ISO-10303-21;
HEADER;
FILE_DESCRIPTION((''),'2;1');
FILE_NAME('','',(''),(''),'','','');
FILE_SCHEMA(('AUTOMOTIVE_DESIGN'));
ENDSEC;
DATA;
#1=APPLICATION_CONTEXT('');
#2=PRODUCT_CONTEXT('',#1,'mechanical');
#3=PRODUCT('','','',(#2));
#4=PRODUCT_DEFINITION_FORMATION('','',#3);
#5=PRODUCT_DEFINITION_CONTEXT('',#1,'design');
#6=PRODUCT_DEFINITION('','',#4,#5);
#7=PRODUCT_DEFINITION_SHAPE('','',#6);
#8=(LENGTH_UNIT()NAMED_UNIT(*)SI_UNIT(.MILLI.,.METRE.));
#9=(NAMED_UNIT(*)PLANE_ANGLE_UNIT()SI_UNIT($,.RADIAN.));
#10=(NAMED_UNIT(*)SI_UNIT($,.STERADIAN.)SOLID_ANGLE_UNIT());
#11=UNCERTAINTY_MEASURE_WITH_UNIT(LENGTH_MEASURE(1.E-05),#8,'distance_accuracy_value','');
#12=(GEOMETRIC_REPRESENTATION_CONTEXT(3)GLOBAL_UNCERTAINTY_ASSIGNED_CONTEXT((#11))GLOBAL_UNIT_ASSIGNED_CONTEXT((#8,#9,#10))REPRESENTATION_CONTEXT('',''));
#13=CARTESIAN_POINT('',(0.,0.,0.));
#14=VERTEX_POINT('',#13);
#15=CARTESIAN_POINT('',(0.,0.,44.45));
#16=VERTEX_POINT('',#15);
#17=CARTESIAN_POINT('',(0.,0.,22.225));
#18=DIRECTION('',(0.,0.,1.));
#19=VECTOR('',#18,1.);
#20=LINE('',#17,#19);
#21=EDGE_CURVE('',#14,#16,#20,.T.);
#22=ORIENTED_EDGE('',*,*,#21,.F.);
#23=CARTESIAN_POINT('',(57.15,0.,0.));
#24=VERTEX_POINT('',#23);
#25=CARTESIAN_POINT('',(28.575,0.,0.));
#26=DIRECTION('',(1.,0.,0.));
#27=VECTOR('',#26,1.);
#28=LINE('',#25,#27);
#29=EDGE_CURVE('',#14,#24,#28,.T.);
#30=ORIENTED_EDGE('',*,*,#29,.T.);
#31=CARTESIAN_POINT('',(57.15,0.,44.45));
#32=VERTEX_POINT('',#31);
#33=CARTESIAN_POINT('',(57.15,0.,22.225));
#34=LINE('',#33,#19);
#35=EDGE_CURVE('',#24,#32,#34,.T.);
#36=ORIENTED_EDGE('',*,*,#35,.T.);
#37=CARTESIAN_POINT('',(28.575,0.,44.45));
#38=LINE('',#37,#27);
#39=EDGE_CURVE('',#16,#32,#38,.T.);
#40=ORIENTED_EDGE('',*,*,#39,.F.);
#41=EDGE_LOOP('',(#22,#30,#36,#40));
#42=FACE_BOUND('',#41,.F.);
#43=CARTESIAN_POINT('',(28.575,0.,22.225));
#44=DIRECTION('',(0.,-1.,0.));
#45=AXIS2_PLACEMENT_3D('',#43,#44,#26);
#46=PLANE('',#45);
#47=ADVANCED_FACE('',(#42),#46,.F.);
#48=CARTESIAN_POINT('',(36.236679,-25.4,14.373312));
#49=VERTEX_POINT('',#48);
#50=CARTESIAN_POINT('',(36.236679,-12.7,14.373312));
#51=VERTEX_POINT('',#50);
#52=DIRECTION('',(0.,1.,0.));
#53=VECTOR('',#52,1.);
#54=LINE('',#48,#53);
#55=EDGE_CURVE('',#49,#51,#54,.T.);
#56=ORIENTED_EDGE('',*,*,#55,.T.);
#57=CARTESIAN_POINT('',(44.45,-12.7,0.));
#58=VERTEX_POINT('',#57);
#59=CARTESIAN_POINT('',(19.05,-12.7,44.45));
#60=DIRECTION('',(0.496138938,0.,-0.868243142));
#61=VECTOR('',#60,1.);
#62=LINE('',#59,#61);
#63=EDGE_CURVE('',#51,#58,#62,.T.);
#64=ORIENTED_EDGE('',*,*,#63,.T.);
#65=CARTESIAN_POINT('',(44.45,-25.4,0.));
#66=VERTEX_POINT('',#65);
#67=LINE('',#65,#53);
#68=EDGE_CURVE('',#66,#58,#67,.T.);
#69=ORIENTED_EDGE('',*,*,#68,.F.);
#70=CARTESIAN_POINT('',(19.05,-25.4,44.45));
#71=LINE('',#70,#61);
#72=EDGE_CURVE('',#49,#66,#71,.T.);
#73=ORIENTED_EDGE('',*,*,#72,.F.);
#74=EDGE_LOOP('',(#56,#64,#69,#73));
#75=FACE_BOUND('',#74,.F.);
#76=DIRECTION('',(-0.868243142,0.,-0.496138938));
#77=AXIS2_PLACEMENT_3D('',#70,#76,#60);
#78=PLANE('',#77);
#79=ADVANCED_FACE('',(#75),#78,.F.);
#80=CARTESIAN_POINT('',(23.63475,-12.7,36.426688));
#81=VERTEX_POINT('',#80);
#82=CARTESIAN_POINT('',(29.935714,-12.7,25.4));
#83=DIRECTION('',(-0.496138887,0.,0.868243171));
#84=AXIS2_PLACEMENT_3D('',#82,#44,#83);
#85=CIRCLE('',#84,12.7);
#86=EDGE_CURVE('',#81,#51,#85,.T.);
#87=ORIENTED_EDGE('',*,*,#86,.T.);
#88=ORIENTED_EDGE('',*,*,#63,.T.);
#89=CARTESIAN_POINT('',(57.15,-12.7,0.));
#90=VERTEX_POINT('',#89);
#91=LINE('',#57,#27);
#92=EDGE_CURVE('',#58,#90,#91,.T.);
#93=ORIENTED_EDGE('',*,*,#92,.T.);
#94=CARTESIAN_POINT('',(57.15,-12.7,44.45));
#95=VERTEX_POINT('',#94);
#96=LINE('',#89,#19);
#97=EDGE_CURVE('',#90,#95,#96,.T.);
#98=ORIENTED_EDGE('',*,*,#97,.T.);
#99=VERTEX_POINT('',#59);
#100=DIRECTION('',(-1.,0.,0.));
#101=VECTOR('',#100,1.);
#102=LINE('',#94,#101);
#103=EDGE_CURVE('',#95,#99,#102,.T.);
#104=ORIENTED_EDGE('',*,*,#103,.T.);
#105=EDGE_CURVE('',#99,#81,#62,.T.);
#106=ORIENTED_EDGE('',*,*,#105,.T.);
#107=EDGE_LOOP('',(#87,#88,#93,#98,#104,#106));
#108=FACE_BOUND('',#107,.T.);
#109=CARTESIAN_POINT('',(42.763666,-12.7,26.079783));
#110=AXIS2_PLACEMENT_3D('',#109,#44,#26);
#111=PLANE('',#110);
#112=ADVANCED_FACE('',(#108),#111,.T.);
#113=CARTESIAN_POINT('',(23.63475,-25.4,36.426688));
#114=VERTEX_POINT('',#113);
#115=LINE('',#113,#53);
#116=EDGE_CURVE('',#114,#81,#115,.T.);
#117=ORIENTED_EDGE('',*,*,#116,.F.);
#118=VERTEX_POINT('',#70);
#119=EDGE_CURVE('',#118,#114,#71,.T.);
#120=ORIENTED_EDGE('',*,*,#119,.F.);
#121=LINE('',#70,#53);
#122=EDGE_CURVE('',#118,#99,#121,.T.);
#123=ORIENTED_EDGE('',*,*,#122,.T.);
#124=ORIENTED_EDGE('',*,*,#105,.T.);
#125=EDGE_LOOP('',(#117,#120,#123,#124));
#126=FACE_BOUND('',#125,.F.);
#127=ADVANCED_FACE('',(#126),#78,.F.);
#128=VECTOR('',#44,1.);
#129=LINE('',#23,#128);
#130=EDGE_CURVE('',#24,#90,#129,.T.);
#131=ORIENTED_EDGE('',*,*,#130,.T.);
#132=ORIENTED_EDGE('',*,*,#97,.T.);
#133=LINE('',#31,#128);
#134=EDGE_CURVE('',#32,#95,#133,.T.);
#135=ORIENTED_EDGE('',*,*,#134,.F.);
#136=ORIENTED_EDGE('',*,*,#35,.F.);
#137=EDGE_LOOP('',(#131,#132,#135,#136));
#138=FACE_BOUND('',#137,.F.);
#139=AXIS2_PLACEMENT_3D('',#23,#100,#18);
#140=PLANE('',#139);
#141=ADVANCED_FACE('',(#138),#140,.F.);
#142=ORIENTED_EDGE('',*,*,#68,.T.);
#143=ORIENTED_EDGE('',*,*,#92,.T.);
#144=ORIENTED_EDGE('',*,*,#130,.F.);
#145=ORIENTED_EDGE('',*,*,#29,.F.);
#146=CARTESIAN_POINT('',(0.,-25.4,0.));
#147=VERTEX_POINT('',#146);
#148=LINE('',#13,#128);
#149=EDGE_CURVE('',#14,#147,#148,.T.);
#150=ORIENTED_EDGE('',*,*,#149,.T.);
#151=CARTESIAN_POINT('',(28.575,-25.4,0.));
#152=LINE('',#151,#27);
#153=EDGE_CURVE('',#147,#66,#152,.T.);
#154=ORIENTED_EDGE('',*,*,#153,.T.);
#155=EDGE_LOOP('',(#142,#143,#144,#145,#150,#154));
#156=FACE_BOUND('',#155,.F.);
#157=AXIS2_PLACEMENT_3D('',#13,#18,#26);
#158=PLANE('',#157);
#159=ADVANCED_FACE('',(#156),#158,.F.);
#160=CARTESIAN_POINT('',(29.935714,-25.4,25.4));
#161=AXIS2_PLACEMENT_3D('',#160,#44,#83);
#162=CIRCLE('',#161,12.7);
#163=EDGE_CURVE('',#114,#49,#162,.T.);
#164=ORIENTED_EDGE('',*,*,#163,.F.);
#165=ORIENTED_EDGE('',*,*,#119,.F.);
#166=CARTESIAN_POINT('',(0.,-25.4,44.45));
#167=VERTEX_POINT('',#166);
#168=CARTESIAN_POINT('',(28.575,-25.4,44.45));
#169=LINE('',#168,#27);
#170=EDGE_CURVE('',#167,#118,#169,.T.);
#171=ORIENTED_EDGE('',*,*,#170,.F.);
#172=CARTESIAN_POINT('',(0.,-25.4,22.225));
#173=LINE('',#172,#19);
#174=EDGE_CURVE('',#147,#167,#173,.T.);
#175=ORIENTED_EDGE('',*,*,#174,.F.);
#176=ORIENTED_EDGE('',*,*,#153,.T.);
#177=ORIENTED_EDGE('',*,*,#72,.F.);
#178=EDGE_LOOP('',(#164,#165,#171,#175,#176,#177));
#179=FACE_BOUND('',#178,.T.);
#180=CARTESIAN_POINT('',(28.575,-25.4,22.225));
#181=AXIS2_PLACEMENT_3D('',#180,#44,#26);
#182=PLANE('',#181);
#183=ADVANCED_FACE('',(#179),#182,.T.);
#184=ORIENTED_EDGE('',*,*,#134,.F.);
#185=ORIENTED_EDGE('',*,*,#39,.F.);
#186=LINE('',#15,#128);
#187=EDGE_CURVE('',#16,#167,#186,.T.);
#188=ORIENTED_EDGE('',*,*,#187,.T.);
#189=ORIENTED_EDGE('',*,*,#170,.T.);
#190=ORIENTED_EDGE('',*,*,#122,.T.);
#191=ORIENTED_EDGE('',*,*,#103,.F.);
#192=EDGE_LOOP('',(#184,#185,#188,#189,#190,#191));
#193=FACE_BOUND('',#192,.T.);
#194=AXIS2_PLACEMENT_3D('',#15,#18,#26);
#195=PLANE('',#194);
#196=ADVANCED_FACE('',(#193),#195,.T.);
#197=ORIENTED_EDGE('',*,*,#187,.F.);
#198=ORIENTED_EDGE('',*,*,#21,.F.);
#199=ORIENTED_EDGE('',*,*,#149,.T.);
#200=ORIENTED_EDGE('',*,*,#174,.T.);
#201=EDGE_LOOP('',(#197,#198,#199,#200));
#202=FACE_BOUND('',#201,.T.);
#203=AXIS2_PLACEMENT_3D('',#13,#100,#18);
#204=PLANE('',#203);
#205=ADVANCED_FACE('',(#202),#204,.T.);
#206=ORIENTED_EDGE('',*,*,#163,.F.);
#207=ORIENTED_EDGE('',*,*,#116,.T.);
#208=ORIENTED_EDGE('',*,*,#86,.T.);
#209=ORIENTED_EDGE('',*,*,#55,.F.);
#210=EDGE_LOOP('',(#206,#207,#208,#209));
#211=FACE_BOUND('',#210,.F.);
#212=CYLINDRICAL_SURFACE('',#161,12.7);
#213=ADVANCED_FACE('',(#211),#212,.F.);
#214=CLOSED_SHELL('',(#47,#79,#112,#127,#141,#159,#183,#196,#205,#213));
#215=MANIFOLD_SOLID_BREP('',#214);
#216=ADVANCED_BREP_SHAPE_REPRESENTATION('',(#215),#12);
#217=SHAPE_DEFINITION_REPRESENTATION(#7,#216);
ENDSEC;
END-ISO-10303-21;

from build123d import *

# Parameters (mm, degrees)
F0_W     = 57.15
F0_H     = 44.45
F1_DEPTH = 25.4
F3_DEPTH = 12.7
F5_DEPTH = 12.7


with BuildPart() as f1:
    # F0 (on Front) → F1 (new body)
    with BuildSketch(Plane.XZ):
        with Locations((28.575, 22.225)):
            Rectangle(F0_W, F0_H)
    extrude(amount=F1_DEPTH)

    # F2 (on face) → F3 (cut)
    with BuildSketch(Plane.XZ.offset(25.4)):
        Polygon((57.15, 44.45), (19.05, 44.45), (44.45, 0), (57.15, 0), align=None)
    extrude(amount=-F3_DEPTH, mode=Mode.SUBTRACT)

    # F4 (on face) → F5 (cut)
    with BuildSketch(Plane.XZ.offset(25.4)):
        with BuildLine():
            Line((36.236679, 14.373312), (23.63475, 36.426688))
            ThreePointArc((23.63475, 36.426688), (18.909026, 19.099035), (36.236679, 14.373312))
        make_face()
    extrude(amount=-F5_DEPTH, mode=Mode.SUBTRACT)


solid = f1.part
